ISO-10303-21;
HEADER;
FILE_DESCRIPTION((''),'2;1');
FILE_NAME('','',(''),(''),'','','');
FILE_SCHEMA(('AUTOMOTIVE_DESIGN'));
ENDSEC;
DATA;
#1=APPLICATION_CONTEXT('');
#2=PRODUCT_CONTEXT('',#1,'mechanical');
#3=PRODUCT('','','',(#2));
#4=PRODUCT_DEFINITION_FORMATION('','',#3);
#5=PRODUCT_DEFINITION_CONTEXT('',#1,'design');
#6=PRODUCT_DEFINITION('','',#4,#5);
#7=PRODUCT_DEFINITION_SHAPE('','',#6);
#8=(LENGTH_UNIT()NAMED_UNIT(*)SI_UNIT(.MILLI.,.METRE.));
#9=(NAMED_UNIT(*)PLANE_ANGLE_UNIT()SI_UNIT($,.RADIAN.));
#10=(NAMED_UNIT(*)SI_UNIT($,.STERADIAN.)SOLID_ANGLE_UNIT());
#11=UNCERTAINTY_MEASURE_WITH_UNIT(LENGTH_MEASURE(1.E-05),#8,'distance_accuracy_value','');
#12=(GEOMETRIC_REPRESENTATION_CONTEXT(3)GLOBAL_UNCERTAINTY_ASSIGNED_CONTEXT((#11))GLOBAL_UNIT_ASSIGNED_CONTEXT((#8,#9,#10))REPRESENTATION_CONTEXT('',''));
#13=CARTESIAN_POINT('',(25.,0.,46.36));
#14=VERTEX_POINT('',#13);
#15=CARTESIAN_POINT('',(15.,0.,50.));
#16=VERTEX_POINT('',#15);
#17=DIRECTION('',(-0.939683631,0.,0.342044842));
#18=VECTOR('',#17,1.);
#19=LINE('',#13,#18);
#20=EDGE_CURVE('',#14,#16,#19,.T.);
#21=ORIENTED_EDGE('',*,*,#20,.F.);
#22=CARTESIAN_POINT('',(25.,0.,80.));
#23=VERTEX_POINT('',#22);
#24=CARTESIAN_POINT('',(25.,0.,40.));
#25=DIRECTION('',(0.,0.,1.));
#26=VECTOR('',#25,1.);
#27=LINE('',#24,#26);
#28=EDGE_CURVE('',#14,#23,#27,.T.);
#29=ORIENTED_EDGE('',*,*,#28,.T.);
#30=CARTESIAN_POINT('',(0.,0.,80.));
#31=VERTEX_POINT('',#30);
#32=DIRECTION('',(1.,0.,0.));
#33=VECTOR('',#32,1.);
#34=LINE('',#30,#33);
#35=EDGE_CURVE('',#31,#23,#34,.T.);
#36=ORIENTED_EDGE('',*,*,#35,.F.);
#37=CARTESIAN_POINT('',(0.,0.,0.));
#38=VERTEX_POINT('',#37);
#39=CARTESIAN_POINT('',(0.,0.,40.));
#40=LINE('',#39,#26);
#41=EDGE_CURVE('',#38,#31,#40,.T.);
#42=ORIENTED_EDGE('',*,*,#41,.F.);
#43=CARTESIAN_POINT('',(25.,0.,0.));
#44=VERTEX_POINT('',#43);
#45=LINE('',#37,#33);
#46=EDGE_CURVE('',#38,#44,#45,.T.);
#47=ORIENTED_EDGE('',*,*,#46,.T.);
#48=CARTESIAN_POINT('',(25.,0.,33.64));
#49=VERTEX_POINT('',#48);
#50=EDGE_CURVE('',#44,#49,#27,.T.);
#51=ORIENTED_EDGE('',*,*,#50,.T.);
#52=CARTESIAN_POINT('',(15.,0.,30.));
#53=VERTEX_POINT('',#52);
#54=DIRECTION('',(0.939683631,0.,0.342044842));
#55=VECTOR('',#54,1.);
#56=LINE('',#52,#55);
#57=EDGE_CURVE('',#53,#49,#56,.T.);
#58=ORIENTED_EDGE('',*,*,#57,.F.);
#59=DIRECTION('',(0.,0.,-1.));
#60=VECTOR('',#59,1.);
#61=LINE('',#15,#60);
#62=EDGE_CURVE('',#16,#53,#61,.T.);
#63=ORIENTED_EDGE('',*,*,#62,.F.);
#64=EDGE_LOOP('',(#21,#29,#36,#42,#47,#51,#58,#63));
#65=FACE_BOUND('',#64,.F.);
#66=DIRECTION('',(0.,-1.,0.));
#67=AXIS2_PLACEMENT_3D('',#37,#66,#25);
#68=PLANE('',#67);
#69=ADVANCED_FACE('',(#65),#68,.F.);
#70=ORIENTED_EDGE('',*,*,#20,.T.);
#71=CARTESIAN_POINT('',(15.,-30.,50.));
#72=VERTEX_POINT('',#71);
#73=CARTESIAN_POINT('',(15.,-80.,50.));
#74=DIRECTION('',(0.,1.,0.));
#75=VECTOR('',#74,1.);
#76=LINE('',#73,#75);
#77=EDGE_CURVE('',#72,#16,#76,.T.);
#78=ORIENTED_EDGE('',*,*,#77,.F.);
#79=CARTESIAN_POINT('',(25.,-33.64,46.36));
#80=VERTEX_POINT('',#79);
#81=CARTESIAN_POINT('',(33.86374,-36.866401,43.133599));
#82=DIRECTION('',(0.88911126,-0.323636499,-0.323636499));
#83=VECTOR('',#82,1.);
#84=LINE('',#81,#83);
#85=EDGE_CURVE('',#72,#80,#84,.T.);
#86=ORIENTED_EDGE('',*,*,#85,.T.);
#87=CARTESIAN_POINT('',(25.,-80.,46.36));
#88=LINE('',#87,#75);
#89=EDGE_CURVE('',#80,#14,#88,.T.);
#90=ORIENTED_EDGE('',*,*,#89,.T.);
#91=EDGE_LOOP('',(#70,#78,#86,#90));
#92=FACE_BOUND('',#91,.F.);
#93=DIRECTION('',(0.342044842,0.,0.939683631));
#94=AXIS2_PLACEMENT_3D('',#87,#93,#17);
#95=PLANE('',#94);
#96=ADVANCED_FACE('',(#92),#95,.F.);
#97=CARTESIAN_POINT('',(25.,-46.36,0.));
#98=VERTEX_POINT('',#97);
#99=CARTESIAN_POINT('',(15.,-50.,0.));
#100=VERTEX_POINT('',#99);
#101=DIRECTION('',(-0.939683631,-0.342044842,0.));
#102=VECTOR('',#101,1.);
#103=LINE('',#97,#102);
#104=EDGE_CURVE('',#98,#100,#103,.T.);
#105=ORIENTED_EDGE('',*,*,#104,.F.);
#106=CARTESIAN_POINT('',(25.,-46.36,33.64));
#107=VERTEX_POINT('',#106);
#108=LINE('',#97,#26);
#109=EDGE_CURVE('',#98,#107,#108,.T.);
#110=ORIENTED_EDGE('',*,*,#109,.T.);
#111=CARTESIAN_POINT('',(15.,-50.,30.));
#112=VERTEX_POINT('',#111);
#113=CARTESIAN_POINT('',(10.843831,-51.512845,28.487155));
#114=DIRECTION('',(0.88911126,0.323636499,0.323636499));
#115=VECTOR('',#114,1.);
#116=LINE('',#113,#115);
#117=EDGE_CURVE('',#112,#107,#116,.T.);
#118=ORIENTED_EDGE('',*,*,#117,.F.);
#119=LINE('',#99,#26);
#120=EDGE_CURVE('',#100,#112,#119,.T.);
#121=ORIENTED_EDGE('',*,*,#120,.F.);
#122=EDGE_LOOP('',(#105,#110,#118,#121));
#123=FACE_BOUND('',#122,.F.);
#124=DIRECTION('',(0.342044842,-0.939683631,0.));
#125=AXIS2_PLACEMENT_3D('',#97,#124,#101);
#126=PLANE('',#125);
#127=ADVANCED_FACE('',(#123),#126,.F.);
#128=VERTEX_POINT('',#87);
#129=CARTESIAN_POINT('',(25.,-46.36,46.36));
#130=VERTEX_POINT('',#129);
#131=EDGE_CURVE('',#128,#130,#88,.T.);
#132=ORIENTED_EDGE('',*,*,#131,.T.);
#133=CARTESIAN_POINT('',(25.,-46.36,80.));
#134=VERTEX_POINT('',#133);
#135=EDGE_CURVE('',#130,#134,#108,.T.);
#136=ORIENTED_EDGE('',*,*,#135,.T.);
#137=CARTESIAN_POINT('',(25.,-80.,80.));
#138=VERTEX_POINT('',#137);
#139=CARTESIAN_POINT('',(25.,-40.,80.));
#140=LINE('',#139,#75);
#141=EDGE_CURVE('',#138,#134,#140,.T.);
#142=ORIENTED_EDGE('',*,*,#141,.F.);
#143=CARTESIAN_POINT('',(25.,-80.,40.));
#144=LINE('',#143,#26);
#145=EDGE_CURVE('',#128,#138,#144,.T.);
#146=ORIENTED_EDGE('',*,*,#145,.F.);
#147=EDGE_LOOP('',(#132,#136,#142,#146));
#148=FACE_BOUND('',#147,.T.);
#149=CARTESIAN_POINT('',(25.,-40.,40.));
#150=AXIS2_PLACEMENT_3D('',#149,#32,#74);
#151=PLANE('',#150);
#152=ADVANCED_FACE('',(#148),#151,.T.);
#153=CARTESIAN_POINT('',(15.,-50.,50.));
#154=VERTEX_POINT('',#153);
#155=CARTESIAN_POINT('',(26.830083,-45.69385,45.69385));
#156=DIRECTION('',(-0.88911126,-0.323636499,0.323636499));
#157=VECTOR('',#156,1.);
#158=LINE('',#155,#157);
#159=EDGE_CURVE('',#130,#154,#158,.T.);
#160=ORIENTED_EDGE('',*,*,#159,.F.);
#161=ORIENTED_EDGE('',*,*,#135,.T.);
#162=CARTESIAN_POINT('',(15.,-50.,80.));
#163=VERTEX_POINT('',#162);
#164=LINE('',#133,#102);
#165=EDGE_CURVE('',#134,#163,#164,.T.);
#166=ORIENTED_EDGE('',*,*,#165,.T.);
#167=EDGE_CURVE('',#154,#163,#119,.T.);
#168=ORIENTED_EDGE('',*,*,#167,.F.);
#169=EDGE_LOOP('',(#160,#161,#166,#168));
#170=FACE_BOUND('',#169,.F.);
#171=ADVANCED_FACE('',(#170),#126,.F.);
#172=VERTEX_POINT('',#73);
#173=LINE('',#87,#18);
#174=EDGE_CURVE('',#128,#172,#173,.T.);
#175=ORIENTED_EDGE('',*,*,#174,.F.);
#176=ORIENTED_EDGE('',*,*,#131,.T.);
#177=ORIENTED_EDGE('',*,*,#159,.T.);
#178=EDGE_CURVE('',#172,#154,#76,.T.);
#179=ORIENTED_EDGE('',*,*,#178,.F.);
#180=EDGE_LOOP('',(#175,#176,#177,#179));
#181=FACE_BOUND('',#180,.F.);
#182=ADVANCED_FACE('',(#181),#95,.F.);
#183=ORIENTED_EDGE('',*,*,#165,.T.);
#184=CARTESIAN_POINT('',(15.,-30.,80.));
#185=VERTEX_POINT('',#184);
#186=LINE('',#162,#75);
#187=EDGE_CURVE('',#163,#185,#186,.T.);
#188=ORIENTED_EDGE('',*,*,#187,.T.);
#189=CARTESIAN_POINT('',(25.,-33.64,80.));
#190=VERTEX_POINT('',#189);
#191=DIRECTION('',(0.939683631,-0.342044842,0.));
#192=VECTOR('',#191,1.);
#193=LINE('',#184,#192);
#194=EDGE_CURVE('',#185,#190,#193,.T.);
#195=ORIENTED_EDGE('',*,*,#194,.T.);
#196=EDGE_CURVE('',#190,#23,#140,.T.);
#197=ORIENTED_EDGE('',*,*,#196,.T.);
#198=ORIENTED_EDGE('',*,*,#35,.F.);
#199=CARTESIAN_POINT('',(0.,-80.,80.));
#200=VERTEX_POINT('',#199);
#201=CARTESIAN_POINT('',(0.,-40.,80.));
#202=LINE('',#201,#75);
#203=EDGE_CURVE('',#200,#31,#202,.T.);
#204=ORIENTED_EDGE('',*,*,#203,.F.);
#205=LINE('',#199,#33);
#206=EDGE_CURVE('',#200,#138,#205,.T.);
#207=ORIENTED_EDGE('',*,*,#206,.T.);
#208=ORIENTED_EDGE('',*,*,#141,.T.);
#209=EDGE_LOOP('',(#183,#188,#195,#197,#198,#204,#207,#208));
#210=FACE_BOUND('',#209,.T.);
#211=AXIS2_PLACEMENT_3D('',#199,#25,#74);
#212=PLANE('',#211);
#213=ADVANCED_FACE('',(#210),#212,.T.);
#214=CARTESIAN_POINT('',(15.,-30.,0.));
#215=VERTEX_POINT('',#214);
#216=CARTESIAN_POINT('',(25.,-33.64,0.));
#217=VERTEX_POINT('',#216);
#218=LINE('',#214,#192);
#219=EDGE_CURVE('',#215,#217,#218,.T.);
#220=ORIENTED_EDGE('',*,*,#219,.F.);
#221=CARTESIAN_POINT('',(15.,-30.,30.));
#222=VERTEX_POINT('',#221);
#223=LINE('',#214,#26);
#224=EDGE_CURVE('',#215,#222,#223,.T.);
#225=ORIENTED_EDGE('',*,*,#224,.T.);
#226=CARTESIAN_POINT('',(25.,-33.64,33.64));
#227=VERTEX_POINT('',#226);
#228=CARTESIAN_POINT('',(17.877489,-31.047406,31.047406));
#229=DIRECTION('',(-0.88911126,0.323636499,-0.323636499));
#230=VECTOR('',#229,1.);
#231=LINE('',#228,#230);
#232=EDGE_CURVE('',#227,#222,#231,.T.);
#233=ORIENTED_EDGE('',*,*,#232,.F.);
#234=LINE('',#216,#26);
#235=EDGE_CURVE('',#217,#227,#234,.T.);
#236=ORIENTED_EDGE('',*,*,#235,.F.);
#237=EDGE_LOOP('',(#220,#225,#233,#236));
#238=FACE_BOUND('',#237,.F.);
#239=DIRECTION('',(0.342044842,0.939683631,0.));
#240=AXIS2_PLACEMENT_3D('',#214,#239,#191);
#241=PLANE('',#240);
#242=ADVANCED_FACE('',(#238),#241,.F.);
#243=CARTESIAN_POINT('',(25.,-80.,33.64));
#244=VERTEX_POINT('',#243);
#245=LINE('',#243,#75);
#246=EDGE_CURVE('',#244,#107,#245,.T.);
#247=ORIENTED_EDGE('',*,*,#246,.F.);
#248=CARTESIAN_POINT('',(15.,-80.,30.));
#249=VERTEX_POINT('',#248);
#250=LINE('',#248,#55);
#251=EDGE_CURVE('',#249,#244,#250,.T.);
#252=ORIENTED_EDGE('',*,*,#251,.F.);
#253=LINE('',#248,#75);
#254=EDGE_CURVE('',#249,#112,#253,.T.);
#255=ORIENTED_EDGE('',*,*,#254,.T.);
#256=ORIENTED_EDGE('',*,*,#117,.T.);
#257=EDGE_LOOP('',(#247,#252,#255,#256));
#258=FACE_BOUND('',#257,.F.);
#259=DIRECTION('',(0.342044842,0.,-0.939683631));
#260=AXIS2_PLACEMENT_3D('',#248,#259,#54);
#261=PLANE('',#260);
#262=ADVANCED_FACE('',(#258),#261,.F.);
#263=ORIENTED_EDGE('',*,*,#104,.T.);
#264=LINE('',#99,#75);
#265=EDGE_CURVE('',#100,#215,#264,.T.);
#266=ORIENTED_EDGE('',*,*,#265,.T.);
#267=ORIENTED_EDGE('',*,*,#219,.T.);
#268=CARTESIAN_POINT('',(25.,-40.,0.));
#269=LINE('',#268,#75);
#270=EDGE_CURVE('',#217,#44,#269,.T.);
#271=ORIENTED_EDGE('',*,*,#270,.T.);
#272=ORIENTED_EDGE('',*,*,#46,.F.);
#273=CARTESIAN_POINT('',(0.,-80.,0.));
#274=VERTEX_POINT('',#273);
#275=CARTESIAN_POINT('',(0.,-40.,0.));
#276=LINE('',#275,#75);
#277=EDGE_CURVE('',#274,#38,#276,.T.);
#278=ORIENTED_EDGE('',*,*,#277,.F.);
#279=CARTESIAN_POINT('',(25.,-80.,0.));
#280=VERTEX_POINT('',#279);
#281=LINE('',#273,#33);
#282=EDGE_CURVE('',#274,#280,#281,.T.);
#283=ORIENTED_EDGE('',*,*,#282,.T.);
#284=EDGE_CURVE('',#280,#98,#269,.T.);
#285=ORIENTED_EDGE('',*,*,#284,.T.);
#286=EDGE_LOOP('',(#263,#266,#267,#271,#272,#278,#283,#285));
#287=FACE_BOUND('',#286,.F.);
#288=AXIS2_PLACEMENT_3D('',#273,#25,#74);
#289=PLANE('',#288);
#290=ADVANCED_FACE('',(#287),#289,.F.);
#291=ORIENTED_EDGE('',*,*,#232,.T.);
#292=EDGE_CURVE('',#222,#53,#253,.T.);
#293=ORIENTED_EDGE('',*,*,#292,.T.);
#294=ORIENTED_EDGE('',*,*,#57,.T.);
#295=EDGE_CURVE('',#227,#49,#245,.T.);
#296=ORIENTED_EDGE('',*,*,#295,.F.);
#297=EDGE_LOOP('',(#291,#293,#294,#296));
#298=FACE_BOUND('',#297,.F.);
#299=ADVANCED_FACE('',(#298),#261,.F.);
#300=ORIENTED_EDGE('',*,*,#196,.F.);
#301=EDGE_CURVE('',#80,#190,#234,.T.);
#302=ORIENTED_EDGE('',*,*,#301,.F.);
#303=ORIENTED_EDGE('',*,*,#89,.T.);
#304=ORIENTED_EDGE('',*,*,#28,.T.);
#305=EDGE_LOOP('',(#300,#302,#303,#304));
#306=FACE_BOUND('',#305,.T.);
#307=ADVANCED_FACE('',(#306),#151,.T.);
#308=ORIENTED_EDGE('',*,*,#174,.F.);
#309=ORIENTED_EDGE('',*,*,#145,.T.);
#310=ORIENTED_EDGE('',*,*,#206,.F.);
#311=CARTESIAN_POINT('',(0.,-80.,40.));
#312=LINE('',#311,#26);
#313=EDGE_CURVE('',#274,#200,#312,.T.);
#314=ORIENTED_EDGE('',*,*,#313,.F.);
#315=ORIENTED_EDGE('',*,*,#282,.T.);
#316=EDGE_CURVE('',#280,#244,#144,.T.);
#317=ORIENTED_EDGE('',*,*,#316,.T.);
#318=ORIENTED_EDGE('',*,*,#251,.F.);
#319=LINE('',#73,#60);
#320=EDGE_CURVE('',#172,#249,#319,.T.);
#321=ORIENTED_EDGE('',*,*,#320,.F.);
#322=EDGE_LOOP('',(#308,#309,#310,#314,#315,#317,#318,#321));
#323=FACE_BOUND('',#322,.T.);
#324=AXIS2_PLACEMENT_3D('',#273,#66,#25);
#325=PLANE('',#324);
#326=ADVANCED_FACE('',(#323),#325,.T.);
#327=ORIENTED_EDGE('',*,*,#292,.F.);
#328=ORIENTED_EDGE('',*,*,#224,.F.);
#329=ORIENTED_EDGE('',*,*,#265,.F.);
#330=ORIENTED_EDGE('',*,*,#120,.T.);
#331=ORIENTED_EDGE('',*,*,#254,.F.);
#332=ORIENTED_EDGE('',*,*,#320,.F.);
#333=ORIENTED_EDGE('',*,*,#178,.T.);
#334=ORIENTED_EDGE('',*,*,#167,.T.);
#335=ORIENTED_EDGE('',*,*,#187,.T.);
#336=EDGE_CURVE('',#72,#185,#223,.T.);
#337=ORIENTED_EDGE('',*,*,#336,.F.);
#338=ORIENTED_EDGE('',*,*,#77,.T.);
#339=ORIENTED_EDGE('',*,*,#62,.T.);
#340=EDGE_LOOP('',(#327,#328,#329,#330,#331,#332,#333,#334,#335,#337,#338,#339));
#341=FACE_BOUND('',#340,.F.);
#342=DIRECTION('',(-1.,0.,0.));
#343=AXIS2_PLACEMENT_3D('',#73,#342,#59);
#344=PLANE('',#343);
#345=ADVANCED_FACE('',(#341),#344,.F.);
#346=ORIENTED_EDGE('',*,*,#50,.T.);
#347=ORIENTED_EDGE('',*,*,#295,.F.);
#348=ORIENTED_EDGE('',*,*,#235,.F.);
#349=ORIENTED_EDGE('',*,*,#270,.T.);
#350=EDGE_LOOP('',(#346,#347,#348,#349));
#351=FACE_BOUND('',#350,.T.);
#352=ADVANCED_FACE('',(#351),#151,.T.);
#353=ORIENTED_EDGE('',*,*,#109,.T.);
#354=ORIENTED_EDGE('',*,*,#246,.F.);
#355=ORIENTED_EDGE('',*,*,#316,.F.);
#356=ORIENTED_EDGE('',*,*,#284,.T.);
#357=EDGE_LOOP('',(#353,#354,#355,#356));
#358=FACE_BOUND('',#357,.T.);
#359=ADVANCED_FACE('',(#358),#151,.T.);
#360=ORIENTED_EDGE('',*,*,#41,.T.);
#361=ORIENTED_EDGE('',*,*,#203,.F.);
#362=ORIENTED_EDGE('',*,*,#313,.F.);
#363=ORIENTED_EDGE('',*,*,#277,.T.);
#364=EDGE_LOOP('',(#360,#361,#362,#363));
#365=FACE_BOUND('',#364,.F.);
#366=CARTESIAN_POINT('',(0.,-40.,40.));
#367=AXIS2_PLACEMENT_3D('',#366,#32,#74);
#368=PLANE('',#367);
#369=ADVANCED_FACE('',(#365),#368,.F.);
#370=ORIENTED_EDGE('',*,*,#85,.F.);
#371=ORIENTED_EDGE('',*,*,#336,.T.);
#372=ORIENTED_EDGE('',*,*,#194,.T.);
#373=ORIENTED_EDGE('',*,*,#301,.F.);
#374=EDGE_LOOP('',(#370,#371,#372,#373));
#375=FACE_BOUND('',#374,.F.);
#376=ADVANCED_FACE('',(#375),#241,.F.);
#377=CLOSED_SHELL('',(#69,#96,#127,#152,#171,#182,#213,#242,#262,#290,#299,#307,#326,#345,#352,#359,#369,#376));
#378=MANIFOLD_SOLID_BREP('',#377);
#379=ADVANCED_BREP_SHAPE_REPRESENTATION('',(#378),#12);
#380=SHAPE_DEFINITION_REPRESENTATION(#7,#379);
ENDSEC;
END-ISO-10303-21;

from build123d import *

# Parameters (mm, degrees)
F0_W     = 80
F0_H     = 80
F1_DEPTH = 25
F3_DEPTH = 80
F5_DEPTH = 80


with BuildPart() as f1:
    # F0 (on Right) → F1 (new body)
    with BuildSketch(Plane.YZ):
        with Locations((-40, 40)):
            Rectangle(F0_W, F0_H)
    extrude(amount=F1_DEPTH)

    # F2 (on face) → F3 (cut)
    with BuildSketch(Plane(origin=(0, 0, 0), x_dir=(1, 0, 0), z_dir=(0, 0, -1))):
        Polygon((25, 46.36), (15, 50), (15, 30), (25, 33.64), (25, 40), align=None)
    extrude(amount=-F3_DEPTH, mode=Mode.SUBTRACT)

    # F4 (on face) → F5 (cut)
    with BuildSketch(Plane.XZ.offset(80)):
        Polygon((15, 50), (15, 30), (25, 33.64), (25, 40), (25, 46.36), align=None)
    extrude(amount=-F5_DEPTH, mode=Mode.SUBTRACT)


solid = f1.part
